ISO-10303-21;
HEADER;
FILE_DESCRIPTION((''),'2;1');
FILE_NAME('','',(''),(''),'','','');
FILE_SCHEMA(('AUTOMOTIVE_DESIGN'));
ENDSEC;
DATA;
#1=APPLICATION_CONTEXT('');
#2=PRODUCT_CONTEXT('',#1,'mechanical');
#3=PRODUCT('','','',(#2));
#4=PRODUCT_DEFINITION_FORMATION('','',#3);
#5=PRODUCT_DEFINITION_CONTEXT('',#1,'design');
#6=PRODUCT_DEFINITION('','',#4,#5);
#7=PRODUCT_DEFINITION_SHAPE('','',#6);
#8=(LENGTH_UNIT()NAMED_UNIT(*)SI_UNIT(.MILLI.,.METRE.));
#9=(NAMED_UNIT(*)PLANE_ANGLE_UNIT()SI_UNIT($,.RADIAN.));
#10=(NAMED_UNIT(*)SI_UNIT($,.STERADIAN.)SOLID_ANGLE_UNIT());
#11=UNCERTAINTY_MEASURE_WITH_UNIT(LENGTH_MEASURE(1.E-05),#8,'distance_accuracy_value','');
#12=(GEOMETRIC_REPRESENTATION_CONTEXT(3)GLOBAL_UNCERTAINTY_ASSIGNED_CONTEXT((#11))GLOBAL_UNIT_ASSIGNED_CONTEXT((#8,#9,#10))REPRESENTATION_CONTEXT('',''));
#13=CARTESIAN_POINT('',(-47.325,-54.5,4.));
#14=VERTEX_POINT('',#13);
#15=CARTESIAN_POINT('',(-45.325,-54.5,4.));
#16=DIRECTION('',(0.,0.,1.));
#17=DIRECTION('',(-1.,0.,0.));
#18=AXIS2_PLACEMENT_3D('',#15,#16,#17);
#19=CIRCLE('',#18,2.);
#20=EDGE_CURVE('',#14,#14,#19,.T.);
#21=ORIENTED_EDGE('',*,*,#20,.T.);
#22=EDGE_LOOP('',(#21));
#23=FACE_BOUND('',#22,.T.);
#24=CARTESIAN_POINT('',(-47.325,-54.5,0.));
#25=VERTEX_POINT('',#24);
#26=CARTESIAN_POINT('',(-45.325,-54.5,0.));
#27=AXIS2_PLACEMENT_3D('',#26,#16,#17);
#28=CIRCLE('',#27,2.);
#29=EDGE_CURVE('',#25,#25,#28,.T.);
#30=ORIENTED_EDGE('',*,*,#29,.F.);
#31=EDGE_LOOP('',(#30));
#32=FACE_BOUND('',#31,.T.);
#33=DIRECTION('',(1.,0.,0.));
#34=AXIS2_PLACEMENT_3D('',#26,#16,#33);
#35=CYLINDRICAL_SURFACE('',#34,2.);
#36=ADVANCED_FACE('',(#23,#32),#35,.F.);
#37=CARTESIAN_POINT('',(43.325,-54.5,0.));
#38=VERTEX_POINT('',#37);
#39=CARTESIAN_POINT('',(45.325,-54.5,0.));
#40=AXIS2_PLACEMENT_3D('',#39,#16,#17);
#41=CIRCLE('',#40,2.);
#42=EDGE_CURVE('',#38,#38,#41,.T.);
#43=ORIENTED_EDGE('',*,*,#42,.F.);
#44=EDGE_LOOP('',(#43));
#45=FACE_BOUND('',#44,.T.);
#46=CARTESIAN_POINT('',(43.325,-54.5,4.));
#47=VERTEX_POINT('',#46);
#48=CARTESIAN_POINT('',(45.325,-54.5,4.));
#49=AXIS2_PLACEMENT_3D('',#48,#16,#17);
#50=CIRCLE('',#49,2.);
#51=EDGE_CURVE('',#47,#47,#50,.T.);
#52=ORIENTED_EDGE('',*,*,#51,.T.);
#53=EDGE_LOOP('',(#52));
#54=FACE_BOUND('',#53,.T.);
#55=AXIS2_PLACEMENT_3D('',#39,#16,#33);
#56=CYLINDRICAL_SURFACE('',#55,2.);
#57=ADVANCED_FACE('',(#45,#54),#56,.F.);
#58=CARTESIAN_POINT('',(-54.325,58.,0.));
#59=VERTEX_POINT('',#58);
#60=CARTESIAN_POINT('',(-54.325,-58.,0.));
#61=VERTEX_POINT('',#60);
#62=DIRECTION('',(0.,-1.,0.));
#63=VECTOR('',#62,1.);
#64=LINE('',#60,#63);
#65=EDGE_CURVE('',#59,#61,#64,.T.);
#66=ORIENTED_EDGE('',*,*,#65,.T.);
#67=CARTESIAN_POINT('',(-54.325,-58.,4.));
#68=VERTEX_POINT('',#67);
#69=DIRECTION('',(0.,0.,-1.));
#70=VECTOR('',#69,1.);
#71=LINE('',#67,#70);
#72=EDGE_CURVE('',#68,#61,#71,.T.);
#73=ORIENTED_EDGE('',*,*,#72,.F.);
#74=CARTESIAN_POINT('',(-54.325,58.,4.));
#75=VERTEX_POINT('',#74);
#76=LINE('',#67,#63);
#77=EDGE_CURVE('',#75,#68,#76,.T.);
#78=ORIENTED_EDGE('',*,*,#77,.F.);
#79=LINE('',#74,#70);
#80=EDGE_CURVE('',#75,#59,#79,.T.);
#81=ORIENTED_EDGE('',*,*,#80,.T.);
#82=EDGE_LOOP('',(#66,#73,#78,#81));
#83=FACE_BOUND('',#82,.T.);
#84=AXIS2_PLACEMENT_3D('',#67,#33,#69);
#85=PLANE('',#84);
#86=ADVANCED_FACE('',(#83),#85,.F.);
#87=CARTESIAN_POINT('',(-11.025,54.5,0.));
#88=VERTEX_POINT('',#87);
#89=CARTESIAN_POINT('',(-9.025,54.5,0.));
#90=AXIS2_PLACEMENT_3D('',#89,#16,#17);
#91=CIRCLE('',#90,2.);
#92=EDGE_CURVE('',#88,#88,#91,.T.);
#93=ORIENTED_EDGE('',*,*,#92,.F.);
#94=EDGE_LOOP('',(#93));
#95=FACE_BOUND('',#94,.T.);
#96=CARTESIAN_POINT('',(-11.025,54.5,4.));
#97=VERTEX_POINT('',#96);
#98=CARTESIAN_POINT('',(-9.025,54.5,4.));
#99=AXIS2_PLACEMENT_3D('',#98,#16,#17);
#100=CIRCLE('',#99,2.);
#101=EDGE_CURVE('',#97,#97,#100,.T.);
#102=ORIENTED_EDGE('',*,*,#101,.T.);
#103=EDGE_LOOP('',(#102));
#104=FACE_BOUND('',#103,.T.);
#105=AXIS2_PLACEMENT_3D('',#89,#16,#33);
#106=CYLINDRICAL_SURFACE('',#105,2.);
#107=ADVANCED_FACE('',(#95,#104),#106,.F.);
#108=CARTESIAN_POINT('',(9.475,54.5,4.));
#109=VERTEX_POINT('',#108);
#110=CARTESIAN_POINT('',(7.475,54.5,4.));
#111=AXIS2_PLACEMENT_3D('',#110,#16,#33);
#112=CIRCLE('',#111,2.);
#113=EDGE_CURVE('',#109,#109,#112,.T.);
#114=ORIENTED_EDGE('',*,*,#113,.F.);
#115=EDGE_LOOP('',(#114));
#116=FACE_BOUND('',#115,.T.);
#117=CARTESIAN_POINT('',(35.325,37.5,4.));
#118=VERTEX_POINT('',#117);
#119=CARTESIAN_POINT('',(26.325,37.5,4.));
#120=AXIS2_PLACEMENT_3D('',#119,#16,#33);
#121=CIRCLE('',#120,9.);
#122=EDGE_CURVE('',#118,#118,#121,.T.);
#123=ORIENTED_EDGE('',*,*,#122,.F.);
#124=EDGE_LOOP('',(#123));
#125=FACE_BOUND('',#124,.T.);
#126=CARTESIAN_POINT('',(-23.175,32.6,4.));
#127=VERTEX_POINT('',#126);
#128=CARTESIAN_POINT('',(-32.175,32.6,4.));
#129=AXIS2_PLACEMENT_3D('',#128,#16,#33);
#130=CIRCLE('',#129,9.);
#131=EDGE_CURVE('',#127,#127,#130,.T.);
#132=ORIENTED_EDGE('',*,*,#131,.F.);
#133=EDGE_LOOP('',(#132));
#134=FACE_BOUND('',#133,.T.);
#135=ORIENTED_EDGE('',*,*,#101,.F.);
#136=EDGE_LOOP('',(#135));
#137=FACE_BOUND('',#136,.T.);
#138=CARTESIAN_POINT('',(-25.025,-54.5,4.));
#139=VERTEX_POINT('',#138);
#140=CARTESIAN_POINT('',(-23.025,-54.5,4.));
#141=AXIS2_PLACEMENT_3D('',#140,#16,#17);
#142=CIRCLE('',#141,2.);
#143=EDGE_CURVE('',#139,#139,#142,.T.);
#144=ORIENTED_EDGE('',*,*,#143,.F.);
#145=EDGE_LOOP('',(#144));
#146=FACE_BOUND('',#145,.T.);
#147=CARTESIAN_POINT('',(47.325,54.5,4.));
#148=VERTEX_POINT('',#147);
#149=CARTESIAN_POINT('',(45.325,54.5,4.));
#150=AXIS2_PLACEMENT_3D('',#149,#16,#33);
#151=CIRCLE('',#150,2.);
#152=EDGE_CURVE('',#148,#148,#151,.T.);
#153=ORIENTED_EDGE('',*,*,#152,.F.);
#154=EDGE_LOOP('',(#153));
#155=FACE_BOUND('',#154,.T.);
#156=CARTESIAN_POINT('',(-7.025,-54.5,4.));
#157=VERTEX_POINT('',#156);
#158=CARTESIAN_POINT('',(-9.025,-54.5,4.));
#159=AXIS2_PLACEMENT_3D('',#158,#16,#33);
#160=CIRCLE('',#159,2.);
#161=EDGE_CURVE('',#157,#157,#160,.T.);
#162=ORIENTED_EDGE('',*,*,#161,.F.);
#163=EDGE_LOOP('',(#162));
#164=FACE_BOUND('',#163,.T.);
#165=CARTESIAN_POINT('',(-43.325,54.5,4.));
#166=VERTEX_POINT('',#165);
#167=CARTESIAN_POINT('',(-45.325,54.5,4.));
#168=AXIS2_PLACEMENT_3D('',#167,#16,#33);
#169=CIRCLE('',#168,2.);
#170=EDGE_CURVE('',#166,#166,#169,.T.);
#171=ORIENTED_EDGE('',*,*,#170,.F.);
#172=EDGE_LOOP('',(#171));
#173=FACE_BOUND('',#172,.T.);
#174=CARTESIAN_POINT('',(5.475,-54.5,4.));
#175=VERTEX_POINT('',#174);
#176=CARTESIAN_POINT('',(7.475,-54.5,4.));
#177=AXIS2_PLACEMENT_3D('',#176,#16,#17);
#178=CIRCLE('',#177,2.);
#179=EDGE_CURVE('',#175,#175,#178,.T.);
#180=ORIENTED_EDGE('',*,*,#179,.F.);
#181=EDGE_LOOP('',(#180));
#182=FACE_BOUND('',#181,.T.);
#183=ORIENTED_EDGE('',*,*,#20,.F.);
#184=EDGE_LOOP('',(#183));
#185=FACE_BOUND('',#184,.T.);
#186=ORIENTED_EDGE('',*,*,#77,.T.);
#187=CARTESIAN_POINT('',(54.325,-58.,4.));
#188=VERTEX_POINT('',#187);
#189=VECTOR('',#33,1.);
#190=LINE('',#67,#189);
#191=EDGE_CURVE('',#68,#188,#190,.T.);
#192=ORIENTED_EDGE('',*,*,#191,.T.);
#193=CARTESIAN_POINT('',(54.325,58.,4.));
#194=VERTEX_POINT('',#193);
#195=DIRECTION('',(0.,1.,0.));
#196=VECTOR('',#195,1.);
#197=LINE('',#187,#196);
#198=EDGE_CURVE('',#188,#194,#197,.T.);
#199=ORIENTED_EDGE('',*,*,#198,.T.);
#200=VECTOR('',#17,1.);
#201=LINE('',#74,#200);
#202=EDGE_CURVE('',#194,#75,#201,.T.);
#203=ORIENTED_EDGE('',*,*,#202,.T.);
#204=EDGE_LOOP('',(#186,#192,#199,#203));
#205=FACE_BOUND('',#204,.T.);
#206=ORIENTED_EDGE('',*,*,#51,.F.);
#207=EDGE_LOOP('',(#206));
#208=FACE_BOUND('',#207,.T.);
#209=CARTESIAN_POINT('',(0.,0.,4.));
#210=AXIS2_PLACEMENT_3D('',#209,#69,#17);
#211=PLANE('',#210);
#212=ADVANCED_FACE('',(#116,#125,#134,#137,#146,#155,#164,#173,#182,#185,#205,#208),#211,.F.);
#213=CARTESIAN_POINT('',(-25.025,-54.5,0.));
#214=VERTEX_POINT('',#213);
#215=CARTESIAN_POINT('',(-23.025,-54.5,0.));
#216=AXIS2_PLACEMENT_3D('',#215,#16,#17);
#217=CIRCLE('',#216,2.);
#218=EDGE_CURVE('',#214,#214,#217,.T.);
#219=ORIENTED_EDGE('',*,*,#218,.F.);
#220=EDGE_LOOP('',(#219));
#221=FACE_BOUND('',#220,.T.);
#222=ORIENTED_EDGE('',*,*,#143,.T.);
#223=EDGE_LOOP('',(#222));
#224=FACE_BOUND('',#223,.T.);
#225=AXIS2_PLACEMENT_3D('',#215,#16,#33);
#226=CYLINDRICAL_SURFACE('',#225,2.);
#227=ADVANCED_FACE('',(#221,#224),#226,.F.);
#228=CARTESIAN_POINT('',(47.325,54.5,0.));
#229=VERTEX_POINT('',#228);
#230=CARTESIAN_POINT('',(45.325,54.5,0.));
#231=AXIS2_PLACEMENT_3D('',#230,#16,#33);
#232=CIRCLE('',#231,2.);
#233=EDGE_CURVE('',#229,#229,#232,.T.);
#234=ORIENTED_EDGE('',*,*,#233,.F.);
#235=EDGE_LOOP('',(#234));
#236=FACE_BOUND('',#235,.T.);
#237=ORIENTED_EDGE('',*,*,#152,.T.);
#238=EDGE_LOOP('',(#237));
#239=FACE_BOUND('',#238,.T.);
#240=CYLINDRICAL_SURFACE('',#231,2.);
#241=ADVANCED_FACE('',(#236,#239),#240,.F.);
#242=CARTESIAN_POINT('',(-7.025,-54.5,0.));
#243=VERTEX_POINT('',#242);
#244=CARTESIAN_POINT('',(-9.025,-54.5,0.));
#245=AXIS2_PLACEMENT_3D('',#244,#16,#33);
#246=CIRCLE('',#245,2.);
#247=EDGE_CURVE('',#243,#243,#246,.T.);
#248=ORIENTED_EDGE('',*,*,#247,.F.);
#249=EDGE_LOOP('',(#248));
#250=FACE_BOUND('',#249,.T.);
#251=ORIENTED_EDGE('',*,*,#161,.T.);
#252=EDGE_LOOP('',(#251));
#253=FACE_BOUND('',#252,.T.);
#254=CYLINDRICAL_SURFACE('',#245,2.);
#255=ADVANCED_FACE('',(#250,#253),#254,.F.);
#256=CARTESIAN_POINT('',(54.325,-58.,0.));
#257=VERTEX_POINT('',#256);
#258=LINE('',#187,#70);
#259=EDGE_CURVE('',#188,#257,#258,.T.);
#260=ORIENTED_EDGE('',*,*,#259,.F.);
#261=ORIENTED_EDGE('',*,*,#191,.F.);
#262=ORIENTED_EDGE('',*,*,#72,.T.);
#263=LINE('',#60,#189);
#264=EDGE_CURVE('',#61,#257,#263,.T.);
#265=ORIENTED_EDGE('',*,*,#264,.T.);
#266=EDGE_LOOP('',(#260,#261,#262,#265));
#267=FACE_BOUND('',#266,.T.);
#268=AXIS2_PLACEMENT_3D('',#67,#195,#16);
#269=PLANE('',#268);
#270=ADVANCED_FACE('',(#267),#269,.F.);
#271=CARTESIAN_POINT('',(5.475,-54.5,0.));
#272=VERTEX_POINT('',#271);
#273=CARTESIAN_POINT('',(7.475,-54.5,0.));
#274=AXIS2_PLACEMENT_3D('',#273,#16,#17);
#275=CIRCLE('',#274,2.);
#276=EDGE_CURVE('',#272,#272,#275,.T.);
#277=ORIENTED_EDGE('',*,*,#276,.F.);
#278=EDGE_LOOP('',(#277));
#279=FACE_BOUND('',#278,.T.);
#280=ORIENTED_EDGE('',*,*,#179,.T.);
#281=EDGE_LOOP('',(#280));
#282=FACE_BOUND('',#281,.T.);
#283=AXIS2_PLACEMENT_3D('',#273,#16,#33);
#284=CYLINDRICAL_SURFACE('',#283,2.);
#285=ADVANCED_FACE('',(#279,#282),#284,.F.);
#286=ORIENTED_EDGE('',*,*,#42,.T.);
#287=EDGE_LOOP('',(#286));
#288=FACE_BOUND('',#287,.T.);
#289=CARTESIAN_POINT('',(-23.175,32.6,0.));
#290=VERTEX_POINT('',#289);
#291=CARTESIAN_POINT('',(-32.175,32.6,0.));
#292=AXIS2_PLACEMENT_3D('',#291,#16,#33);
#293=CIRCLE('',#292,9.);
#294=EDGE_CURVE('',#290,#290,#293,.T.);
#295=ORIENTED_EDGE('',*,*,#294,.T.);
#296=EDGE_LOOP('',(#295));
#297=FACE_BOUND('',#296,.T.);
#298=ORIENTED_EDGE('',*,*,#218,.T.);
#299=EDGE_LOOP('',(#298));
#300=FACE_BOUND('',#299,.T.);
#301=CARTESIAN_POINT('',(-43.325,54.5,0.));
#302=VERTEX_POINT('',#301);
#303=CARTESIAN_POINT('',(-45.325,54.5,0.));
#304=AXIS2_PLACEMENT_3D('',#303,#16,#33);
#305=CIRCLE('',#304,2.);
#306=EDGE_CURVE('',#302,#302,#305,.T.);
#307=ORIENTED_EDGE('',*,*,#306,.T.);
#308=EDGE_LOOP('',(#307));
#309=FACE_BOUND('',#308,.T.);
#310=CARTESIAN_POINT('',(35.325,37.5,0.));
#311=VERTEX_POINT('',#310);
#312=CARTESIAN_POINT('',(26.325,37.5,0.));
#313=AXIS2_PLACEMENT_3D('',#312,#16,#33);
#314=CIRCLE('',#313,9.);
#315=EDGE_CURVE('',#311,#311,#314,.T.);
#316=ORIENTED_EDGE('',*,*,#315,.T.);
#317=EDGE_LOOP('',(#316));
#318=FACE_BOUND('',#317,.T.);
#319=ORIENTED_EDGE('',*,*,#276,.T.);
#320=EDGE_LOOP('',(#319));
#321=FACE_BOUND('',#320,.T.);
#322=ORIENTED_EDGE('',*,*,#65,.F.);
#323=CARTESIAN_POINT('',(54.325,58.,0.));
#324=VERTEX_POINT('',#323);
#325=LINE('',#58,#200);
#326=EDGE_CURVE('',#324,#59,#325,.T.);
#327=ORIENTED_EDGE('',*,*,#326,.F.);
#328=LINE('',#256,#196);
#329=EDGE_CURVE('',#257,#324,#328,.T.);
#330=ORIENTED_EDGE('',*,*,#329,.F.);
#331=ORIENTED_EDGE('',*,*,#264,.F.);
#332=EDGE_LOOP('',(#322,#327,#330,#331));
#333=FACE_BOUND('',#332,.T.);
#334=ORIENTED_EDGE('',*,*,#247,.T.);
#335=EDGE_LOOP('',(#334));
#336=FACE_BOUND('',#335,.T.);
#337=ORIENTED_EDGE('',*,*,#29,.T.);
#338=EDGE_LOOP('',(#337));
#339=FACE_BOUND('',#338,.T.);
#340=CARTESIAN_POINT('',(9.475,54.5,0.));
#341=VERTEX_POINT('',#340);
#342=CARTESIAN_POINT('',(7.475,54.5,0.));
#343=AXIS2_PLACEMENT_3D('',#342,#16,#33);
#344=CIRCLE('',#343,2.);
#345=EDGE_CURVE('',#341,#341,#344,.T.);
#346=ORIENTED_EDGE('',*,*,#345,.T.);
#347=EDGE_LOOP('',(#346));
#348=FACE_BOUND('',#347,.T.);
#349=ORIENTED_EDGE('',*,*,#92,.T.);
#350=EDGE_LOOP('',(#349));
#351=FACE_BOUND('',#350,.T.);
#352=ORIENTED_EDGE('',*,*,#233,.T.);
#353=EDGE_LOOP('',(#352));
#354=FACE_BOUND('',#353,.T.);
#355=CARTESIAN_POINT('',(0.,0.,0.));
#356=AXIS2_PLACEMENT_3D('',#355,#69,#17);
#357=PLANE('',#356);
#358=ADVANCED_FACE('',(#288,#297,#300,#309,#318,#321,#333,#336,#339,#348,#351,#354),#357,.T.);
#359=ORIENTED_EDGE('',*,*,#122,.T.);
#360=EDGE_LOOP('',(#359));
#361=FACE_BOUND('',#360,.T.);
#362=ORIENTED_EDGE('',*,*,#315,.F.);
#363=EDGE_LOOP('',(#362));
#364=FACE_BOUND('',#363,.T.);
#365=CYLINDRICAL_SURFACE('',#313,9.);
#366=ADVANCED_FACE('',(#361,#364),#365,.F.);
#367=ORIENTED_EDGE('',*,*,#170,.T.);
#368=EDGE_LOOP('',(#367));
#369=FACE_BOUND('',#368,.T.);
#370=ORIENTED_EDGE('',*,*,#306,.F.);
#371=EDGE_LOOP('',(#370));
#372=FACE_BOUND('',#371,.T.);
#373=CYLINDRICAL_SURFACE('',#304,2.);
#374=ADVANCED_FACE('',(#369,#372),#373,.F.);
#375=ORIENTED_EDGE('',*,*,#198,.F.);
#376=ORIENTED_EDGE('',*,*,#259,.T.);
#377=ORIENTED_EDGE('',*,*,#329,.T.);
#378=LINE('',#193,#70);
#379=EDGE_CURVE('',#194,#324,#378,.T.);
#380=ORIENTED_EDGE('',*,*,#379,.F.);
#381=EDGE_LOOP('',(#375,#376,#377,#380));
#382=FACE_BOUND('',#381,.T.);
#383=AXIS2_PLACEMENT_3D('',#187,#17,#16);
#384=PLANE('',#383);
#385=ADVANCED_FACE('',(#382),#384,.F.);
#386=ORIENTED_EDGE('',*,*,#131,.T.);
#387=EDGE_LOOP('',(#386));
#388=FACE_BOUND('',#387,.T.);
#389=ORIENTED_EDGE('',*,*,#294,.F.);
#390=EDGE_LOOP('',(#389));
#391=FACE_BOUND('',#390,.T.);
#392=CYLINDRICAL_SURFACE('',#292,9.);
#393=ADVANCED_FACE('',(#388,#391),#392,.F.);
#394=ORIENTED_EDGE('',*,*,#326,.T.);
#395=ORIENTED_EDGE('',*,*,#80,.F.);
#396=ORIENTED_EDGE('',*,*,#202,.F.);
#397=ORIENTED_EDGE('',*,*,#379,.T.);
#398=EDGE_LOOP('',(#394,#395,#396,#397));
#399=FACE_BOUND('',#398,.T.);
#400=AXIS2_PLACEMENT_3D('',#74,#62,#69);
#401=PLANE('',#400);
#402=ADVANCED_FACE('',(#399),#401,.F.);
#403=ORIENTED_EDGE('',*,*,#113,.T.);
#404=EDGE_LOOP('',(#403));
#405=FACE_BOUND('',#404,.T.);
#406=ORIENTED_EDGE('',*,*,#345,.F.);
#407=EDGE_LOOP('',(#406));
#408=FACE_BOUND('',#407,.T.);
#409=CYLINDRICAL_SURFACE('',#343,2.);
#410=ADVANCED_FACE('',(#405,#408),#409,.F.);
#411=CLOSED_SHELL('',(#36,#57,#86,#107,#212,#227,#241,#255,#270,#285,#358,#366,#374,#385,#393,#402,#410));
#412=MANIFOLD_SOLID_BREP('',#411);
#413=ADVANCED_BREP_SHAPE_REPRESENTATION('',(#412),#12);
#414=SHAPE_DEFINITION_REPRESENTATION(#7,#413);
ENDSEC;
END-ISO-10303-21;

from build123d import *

# Parameters (mm, degrees)
SKETCH1_W           = 108.65
SKETCH1_H           = 116
BOSS_EXTRUDE1_DEPTH = 4
SKETCH2_R           = 9
CUT_EXTRUDE1_DEPTH  = 80.568873468
SKETCH4_R           = 2
CUT_EXTRUDE2_DEPTH  = 80.568873468


with BuildPart() as part:
    # Sketch1 → Boss-Extrude1 (new body)
    with BuildSketch(Plane.XY):
        Rectangle(SKETCH1_W, SKETCH1_H)
    extrude(amount=BOSS_EXTRUDE1_DEPTH)

    # Sketch2 → Cut-Extrude1 (cut, through all)
    with BuildSketch(Plane.XY.offset(4)):
        with Locations((26.325, 37.5)):
            Circle(SKETCH2_R)
        with Locations((-32.175, 32.6)):
            Circle(SKETCH2_R)
    extrude(amount=-CUT_EXTRUDE1_DEPTH, mode=Mode.SUBTRACT)

    # Sketch4 → Cut-Extrude2 (cut, through all)
    with BuildSketch(Plane.XY.offset(4)):
        with Locations((-45.325, 54.5)):
            Circle(SKETCH4_R)
        with Locations(Location((-45.325, -54.5, 0), (0, 0, 180))):
            Circle(SKETCH4_R)
        with Locations(Location((-9.025, 54.5, 0), (0, 0, 180))):
            Circle(SKETCH4_R)
        with Locations((-9.025, -54.5)):
            Circle(SKETCH4_R)
        with Locations(Location((-23.025, -54.5, 0), (0, 0, 180))):
            Circle(SKETCH4_R)
        with Locations((7.475, 54.5)):
            Circle(SKETCH4_R)
        with Locations(Location((7.475, -54.5, 0), (0, 0, 180))):
            Circle(SKETCH4_R)
        with Locations((45.325, 54.5)):
            Circle(SKETCH4_R)
        with Locations(Location((45.325, -54.5, 0), (0, 0, 180))):
            Circle(SKETCH4_R)
    extrude(amount=-CUT_EXTRUDE2_DEPTH, mode=Mode.SUBTRACT)


solid = part.part
